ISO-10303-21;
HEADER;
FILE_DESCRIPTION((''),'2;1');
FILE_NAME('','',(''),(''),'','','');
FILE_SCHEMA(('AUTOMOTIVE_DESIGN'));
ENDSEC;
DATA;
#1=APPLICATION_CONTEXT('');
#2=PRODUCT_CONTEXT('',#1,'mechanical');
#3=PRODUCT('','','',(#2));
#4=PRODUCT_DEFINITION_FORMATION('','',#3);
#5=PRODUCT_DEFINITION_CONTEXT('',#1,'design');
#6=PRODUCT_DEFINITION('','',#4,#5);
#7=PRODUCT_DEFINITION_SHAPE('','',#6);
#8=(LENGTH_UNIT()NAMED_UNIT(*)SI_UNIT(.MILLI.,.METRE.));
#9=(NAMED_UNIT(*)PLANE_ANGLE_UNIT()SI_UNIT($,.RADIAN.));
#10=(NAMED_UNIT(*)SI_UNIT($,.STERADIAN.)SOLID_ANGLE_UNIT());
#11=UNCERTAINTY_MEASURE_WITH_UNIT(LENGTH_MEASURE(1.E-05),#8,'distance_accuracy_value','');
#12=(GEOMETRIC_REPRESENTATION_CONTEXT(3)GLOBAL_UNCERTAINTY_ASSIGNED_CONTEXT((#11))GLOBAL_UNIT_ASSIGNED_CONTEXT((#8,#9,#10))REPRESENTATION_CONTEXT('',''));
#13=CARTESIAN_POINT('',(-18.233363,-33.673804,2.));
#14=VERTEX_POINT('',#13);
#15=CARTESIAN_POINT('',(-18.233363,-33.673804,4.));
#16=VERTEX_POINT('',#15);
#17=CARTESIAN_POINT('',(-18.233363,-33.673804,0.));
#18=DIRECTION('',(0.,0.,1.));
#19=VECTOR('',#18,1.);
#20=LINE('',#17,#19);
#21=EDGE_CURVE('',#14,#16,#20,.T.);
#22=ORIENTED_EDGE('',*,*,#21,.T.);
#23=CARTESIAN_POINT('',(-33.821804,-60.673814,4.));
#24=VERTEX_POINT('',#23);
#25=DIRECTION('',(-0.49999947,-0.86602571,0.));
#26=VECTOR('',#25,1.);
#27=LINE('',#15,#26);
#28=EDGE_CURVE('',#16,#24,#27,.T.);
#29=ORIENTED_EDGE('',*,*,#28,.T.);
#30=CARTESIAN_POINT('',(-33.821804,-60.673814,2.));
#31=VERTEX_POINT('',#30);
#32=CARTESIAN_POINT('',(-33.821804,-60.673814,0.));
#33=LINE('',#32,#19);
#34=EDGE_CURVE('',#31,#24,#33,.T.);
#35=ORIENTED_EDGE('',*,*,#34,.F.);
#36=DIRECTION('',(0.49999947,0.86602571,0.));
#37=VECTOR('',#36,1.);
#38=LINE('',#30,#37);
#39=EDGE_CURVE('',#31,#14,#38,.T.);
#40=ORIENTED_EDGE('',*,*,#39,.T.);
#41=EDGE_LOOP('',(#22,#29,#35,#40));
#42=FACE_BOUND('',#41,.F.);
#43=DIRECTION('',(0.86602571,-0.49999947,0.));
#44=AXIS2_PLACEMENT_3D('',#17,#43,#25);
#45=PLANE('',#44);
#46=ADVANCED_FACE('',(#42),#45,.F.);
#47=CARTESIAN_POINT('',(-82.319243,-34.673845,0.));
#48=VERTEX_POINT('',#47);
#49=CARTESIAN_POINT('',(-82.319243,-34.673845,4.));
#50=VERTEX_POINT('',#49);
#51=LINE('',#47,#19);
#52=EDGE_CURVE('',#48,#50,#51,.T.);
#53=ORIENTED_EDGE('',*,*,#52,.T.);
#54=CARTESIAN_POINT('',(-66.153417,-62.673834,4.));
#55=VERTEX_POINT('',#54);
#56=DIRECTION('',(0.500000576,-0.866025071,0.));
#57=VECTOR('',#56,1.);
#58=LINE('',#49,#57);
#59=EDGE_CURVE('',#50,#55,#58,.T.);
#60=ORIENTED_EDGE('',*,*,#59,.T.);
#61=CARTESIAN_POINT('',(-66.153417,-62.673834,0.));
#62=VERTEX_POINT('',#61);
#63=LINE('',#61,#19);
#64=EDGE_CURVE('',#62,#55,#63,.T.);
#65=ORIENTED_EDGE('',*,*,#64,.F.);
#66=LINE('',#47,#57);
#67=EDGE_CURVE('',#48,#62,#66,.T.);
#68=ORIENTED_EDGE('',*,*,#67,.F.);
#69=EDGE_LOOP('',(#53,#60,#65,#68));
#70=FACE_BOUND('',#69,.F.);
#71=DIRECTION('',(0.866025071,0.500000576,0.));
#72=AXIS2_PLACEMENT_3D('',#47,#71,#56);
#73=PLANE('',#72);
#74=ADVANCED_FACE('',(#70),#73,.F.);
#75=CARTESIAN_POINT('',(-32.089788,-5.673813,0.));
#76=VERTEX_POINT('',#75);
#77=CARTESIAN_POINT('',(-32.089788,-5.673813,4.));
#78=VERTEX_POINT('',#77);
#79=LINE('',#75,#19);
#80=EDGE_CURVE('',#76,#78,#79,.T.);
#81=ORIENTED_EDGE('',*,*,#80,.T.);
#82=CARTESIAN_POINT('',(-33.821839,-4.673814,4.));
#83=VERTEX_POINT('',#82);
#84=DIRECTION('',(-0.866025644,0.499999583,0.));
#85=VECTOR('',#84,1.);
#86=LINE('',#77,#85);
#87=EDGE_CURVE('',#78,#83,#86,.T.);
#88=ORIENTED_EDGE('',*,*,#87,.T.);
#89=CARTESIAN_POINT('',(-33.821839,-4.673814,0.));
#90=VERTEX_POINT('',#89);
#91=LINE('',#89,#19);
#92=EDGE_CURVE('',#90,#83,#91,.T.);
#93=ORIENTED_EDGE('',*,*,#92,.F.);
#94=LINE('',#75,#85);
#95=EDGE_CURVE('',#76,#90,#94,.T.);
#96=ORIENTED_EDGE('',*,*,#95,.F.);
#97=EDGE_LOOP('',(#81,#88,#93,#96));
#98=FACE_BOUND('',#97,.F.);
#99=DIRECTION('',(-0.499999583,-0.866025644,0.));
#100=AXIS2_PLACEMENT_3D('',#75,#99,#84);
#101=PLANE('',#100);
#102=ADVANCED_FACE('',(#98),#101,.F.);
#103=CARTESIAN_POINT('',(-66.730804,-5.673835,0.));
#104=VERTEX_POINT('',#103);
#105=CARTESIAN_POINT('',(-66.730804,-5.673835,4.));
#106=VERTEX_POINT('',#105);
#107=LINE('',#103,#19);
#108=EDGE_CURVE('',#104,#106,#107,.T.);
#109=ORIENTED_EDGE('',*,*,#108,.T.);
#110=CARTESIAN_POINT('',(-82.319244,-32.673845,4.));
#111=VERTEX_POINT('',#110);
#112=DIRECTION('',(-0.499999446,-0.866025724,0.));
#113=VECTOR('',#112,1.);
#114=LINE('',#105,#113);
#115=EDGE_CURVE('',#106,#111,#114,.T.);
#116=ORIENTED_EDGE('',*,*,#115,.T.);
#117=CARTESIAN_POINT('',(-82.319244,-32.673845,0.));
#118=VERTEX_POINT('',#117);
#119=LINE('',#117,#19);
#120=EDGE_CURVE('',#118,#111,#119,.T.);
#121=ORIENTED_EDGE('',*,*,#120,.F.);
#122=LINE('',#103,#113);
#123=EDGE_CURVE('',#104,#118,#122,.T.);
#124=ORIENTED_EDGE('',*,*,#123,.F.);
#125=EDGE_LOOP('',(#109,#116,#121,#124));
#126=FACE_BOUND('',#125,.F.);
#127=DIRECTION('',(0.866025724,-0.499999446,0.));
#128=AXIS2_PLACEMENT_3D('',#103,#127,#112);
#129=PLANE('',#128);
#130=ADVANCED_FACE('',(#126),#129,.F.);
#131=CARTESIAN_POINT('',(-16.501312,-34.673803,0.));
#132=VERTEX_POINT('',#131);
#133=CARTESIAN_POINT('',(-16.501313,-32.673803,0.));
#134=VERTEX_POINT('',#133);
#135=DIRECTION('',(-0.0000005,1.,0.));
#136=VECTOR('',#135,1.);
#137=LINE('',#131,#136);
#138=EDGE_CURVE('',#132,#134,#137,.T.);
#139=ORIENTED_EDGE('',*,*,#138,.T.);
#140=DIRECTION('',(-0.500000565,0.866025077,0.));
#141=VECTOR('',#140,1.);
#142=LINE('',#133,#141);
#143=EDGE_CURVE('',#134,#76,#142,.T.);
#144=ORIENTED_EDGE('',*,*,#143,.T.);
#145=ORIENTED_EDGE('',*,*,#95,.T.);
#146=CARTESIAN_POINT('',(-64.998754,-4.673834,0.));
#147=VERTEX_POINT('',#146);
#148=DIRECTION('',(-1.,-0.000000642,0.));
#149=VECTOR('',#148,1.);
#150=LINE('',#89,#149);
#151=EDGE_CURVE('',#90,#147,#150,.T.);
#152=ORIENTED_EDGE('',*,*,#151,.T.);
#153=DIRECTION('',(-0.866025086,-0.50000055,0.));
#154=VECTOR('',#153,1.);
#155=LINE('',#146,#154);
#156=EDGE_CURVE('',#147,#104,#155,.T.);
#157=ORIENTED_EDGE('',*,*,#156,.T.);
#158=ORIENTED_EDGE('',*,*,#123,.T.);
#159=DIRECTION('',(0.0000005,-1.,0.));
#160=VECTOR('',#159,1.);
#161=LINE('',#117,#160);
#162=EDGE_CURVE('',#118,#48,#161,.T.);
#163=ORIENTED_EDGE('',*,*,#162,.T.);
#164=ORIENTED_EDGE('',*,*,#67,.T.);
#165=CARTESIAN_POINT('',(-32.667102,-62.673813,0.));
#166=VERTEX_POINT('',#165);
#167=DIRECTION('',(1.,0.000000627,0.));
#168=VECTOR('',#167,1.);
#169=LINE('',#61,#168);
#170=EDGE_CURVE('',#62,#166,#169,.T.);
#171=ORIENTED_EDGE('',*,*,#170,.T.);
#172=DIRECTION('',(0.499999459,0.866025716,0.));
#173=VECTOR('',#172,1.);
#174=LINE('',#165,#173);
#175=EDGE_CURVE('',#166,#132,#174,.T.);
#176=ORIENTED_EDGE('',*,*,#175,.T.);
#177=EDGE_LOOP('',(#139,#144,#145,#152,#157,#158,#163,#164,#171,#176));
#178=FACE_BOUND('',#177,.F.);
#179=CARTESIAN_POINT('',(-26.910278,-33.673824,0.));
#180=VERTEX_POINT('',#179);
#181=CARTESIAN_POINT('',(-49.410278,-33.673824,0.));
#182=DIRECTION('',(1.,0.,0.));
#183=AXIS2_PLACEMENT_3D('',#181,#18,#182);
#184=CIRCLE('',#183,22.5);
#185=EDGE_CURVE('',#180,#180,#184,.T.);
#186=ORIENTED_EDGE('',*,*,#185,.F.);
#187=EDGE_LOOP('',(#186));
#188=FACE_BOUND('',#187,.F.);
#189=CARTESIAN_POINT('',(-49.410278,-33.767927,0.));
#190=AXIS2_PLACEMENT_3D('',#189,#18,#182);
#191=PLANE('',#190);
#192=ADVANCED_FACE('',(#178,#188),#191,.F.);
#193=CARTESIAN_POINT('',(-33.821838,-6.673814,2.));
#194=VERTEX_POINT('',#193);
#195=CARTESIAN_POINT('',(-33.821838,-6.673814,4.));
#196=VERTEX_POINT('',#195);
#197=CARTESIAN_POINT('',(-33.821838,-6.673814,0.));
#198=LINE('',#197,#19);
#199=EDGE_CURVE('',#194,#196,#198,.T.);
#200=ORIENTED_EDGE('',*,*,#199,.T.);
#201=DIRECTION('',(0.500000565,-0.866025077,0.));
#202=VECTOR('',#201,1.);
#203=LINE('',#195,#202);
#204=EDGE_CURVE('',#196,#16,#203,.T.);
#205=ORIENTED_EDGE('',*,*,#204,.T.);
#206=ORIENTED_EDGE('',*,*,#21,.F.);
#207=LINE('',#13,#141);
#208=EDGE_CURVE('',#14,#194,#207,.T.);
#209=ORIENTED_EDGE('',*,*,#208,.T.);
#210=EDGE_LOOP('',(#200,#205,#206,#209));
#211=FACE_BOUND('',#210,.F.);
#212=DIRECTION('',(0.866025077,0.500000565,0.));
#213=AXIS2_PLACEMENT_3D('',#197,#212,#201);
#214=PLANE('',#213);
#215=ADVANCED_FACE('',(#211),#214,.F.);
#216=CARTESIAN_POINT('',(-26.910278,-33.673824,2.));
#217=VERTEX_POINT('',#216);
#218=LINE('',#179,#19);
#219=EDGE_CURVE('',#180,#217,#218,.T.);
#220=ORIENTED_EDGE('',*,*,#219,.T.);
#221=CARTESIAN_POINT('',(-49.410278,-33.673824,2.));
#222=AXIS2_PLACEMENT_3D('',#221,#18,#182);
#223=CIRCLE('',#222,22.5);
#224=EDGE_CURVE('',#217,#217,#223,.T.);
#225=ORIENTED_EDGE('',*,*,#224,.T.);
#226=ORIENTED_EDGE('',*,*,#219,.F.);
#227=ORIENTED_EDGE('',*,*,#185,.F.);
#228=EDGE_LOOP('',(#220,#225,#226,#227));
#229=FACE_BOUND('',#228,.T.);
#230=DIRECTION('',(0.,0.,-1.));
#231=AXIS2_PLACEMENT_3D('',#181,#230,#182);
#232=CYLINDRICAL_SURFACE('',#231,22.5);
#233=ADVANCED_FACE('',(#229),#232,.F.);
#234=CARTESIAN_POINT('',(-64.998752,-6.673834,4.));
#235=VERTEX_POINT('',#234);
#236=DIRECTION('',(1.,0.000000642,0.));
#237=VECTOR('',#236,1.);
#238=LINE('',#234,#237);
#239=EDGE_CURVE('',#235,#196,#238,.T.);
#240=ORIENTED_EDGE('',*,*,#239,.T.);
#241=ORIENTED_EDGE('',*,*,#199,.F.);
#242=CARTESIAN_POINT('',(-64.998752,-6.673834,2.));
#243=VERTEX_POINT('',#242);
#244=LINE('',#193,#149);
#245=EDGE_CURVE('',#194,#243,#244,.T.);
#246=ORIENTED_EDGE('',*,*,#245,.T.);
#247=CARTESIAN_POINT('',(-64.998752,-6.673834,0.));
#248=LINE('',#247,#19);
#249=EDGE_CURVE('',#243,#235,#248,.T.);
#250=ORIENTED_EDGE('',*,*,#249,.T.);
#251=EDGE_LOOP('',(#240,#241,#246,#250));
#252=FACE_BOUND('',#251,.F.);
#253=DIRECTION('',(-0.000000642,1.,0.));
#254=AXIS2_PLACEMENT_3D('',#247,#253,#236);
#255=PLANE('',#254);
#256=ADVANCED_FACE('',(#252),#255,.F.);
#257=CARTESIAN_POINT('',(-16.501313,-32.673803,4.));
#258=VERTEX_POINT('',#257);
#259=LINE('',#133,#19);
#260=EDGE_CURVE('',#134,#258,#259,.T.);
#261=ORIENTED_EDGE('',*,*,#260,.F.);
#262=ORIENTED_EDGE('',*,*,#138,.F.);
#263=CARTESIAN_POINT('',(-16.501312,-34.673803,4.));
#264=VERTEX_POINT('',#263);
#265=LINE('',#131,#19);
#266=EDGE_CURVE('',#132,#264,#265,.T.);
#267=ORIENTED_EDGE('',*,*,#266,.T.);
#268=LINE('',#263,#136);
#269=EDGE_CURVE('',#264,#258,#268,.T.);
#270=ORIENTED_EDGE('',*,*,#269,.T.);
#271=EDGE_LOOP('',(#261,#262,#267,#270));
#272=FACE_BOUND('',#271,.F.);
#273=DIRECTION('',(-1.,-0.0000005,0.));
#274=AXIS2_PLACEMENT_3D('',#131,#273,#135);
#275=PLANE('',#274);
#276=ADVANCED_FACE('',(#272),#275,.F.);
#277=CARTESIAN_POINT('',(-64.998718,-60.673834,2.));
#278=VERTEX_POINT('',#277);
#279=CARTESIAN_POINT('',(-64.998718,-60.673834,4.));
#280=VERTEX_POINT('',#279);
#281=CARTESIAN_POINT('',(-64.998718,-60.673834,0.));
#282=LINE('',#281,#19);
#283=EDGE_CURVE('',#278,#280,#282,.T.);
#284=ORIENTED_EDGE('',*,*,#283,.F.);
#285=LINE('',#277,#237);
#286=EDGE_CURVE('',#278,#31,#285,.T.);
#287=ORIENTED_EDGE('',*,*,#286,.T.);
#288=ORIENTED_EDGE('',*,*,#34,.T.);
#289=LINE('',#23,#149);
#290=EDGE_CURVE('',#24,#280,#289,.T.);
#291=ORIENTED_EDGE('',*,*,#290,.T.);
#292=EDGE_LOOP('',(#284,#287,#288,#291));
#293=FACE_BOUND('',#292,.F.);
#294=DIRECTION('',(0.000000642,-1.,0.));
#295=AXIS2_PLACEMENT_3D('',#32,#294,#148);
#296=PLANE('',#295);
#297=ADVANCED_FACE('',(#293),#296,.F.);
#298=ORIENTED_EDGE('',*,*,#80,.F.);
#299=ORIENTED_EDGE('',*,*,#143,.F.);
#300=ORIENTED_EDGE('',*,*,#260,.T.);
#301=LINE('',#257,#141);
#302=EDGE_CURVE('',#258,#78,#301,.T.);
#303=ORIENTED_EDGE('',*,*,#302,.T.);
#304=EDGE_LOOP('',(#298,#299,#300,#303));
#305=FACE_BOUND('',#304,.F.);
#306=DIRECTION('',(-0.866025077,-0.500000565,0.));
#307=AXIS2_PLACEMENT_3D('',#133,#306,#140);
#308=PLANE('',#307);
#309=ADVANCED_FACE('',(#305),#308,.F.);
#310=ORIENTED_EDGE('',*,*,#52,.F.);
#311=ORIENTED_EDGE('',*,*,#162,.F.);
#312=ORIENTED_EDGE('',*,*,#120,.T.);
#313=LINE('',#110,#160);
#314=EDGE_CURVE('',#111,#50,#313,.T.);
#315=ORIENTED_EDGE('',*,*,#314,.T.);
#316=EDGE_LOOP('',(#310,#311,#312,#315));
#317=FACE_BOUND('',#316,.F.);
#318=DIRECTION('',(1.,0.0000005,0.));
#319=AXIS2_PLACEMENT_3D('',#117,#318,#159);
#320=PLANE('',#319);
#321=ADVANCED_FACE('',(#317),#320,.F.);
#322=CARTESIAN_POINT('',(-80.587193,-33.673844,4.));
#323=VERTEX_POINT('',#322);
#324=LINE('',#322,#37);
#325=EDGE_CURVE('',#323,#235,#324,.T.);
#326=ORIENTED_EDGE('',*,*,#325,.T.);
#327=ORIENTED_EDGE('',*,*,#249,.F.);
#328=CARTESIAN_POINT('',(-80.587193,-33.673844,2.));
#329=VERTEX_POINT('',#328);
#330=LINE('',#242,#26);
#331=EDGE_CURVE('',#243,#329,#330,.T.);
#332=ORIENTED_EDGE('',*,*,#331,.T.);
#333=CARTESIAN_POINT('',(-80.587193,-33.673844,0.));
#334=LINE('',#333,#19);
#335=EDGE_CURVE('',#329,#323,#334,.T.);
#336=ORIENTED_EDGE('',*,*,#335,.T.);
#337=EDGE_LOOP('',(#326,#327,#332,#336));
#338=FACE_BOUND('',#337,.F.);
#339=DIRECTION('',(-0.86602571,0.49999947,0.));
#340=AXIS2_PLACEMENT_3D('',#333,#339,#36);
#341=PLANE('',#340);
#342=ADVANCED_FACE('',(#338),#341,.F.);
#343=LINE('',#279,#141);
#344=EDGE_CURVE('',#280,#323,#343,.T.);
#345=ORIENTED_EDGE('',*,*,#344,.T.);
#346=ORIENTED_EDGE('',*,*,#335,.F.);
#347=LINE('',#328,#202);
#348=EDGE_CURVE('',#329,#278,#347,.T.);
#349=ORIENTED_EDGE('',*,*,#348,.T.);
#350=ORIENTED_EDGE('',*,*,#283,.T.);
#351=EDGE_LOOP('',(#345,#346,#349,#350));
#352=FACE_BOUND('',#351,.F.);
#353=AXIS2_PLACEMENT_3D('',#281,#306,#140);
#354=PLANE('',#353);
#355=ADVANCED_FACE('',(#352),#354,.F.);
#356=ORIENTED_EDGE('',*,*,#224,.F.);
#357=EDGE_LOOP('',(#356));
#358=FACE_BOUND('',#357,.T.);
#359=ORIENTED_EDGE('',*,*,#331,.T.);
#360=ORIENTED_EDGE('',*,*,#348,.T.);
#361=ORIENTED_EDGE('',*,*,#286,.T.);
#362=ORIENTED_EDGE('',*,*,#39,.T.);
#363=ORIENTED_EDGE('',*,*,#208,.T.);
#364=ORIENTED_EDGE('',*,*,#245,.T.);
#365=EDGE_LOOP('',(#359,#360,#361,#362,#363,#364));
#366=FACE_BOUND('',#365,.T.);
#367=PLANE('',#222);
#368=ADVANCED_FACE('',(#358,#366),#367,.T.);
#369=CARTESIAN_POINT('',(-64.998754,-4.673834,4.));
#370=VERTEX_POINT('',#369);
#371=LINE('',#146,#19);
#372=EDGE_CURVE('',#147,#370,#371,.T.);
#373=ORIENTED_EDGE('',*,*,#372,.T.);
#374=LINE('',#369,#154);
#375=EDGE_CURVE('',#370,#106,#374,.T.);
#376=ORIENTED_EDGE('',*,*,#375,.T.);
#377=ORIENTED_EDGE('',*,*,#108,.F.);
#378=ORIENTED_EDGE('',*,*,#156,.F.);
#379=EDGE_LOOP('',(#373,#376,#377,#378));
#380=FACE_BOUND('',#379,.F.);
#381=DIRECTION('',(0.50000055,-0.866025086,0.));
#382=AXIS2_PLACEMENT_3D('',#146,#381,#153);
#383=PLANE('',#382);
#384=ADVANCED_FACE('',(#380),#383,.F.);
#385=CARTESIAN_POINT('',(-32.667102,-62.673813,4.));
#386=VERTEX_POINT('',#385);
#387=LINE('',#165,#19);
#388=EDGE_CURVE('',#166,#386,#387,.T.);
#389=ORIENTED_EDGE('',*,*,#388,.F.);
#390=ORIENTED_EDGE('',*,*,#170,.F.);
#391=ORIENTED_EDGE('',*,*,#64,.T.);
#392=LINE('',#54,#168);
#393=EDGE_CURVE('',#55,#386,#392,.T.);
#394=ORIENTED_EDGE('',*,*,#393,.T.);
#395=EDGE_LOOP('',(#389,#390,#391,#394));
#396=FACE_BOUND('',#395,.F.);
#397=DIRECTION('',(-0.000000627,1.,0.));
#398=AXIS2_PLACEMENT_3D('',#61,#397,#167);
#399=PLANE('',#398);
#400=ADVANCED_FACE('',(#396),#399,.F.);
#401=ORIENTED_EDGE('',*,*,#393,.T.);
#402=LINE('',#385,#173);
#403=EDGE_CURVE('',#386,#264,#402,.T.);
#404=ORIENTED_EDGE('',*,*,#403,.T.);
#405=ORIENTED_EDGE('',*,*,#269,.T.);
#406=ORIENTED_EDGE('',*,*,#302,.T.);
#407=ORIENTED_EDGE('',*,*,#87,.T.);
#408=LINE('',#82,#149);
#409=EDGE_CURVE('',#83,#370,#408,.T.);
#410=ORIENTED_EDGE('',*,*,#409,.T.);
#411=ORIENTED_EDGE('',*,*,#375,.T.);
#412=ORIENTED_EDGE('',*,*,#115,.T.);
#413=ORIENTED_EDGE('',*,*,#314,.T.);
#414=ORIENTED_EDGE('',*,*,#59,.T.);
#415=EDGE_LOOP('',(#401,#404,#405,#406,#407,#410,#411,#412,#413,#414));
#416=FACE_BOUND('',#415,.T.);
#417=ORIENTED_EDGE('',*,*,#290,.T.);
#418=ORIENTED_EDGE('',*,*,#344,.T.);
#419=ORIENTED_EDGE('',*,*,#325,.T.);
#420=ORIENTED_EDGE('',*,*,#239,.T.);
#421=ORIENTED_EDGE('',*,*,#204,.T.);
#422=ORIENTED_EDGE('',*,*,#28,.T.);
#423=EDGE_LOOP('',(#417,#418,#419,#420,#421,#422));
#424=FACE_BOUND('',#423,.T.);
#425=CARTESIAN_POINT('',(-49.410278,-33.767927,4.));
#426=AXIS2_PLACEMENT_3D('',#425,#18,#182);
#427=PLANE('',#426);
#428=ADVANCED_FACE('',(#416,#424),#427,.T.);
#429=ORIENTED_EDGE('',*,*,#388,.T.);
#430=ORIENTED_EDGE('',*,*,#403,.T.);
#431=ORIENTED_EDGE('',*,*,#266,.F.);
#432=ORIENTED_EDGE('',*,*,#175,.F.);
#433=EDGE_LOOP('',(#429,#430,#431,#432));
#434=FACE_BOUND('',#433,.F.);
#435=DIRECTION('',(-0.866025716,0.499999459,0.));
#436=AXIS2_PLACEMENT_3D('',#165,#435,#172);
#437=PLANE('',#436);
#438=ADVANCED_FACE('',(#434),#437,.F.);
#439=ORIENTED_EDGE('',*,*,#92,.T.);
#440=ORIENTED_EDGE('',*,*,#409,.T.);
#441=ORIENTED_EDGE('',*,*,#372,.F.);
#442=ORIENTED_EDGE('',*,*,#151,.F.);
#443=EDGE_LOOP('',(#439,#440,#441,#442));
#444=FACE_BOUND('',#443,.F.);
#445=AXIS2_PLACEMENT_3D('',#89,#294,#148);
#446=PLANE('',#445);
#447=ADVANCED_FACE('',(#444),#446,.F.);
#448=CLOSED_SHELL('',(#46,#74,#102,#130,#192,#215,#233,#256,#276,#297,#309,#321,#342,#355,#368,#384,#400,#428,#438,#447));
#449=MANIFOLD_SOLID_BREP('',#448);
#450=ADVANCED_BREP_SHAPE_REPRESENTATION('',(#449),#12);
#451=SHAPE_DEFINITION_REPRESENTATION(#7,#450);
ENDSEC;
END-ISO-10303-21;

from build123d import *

# Parameters (mm, degrees)
F0_R     = 22.5
F1_DEPTH = 2
F2_DEPTH = 4


with BuildPart() as f1:
    # F0 (on Top) → F1 (new body)
    with BuildSketch(Plane.XY):
        Polygon((-64.998752, -6.673834), (-80.587193, -33.673844), (-64.998718, -60.673834), (-33.821804, -60.673814), (-18.233363, -33.673804), (-33.821838, -6.673814), align=None)
        with Locations((-49.410278, -33.673824)):
            Circle(F0_R, mode=Mode.SUBTRACT)
    extrude(amount=F1_DEPTH)

    # F0 (on Top) → F2 (join)
    with BuildSketch(Plane.XY):
        Polygon((-66.153417, -62.673834), (-32.667102, -62.673813), (-16.501312, -34.673803), (-16.501313, -32.673803), (-32.089788, -5.673813), (-33.821839, -4.673814), (-64.998754, -4.673834), (-66.730804, -5.673835), (-82.319244, -32.673845), (-82.319243, -34.673845), align=None)
        Polygon((-64.998718, -60.673834), (-80.587193, -33.673844), (-64.998752, -6.673834), (-33.821838, -6.673814), (-18.233363, -33.673804), (-33.821804, -60.673814), align=None, mode=Mode.SUBTRACT)
    extrude(amount=F2_DEPTH)


solid = f1.part
